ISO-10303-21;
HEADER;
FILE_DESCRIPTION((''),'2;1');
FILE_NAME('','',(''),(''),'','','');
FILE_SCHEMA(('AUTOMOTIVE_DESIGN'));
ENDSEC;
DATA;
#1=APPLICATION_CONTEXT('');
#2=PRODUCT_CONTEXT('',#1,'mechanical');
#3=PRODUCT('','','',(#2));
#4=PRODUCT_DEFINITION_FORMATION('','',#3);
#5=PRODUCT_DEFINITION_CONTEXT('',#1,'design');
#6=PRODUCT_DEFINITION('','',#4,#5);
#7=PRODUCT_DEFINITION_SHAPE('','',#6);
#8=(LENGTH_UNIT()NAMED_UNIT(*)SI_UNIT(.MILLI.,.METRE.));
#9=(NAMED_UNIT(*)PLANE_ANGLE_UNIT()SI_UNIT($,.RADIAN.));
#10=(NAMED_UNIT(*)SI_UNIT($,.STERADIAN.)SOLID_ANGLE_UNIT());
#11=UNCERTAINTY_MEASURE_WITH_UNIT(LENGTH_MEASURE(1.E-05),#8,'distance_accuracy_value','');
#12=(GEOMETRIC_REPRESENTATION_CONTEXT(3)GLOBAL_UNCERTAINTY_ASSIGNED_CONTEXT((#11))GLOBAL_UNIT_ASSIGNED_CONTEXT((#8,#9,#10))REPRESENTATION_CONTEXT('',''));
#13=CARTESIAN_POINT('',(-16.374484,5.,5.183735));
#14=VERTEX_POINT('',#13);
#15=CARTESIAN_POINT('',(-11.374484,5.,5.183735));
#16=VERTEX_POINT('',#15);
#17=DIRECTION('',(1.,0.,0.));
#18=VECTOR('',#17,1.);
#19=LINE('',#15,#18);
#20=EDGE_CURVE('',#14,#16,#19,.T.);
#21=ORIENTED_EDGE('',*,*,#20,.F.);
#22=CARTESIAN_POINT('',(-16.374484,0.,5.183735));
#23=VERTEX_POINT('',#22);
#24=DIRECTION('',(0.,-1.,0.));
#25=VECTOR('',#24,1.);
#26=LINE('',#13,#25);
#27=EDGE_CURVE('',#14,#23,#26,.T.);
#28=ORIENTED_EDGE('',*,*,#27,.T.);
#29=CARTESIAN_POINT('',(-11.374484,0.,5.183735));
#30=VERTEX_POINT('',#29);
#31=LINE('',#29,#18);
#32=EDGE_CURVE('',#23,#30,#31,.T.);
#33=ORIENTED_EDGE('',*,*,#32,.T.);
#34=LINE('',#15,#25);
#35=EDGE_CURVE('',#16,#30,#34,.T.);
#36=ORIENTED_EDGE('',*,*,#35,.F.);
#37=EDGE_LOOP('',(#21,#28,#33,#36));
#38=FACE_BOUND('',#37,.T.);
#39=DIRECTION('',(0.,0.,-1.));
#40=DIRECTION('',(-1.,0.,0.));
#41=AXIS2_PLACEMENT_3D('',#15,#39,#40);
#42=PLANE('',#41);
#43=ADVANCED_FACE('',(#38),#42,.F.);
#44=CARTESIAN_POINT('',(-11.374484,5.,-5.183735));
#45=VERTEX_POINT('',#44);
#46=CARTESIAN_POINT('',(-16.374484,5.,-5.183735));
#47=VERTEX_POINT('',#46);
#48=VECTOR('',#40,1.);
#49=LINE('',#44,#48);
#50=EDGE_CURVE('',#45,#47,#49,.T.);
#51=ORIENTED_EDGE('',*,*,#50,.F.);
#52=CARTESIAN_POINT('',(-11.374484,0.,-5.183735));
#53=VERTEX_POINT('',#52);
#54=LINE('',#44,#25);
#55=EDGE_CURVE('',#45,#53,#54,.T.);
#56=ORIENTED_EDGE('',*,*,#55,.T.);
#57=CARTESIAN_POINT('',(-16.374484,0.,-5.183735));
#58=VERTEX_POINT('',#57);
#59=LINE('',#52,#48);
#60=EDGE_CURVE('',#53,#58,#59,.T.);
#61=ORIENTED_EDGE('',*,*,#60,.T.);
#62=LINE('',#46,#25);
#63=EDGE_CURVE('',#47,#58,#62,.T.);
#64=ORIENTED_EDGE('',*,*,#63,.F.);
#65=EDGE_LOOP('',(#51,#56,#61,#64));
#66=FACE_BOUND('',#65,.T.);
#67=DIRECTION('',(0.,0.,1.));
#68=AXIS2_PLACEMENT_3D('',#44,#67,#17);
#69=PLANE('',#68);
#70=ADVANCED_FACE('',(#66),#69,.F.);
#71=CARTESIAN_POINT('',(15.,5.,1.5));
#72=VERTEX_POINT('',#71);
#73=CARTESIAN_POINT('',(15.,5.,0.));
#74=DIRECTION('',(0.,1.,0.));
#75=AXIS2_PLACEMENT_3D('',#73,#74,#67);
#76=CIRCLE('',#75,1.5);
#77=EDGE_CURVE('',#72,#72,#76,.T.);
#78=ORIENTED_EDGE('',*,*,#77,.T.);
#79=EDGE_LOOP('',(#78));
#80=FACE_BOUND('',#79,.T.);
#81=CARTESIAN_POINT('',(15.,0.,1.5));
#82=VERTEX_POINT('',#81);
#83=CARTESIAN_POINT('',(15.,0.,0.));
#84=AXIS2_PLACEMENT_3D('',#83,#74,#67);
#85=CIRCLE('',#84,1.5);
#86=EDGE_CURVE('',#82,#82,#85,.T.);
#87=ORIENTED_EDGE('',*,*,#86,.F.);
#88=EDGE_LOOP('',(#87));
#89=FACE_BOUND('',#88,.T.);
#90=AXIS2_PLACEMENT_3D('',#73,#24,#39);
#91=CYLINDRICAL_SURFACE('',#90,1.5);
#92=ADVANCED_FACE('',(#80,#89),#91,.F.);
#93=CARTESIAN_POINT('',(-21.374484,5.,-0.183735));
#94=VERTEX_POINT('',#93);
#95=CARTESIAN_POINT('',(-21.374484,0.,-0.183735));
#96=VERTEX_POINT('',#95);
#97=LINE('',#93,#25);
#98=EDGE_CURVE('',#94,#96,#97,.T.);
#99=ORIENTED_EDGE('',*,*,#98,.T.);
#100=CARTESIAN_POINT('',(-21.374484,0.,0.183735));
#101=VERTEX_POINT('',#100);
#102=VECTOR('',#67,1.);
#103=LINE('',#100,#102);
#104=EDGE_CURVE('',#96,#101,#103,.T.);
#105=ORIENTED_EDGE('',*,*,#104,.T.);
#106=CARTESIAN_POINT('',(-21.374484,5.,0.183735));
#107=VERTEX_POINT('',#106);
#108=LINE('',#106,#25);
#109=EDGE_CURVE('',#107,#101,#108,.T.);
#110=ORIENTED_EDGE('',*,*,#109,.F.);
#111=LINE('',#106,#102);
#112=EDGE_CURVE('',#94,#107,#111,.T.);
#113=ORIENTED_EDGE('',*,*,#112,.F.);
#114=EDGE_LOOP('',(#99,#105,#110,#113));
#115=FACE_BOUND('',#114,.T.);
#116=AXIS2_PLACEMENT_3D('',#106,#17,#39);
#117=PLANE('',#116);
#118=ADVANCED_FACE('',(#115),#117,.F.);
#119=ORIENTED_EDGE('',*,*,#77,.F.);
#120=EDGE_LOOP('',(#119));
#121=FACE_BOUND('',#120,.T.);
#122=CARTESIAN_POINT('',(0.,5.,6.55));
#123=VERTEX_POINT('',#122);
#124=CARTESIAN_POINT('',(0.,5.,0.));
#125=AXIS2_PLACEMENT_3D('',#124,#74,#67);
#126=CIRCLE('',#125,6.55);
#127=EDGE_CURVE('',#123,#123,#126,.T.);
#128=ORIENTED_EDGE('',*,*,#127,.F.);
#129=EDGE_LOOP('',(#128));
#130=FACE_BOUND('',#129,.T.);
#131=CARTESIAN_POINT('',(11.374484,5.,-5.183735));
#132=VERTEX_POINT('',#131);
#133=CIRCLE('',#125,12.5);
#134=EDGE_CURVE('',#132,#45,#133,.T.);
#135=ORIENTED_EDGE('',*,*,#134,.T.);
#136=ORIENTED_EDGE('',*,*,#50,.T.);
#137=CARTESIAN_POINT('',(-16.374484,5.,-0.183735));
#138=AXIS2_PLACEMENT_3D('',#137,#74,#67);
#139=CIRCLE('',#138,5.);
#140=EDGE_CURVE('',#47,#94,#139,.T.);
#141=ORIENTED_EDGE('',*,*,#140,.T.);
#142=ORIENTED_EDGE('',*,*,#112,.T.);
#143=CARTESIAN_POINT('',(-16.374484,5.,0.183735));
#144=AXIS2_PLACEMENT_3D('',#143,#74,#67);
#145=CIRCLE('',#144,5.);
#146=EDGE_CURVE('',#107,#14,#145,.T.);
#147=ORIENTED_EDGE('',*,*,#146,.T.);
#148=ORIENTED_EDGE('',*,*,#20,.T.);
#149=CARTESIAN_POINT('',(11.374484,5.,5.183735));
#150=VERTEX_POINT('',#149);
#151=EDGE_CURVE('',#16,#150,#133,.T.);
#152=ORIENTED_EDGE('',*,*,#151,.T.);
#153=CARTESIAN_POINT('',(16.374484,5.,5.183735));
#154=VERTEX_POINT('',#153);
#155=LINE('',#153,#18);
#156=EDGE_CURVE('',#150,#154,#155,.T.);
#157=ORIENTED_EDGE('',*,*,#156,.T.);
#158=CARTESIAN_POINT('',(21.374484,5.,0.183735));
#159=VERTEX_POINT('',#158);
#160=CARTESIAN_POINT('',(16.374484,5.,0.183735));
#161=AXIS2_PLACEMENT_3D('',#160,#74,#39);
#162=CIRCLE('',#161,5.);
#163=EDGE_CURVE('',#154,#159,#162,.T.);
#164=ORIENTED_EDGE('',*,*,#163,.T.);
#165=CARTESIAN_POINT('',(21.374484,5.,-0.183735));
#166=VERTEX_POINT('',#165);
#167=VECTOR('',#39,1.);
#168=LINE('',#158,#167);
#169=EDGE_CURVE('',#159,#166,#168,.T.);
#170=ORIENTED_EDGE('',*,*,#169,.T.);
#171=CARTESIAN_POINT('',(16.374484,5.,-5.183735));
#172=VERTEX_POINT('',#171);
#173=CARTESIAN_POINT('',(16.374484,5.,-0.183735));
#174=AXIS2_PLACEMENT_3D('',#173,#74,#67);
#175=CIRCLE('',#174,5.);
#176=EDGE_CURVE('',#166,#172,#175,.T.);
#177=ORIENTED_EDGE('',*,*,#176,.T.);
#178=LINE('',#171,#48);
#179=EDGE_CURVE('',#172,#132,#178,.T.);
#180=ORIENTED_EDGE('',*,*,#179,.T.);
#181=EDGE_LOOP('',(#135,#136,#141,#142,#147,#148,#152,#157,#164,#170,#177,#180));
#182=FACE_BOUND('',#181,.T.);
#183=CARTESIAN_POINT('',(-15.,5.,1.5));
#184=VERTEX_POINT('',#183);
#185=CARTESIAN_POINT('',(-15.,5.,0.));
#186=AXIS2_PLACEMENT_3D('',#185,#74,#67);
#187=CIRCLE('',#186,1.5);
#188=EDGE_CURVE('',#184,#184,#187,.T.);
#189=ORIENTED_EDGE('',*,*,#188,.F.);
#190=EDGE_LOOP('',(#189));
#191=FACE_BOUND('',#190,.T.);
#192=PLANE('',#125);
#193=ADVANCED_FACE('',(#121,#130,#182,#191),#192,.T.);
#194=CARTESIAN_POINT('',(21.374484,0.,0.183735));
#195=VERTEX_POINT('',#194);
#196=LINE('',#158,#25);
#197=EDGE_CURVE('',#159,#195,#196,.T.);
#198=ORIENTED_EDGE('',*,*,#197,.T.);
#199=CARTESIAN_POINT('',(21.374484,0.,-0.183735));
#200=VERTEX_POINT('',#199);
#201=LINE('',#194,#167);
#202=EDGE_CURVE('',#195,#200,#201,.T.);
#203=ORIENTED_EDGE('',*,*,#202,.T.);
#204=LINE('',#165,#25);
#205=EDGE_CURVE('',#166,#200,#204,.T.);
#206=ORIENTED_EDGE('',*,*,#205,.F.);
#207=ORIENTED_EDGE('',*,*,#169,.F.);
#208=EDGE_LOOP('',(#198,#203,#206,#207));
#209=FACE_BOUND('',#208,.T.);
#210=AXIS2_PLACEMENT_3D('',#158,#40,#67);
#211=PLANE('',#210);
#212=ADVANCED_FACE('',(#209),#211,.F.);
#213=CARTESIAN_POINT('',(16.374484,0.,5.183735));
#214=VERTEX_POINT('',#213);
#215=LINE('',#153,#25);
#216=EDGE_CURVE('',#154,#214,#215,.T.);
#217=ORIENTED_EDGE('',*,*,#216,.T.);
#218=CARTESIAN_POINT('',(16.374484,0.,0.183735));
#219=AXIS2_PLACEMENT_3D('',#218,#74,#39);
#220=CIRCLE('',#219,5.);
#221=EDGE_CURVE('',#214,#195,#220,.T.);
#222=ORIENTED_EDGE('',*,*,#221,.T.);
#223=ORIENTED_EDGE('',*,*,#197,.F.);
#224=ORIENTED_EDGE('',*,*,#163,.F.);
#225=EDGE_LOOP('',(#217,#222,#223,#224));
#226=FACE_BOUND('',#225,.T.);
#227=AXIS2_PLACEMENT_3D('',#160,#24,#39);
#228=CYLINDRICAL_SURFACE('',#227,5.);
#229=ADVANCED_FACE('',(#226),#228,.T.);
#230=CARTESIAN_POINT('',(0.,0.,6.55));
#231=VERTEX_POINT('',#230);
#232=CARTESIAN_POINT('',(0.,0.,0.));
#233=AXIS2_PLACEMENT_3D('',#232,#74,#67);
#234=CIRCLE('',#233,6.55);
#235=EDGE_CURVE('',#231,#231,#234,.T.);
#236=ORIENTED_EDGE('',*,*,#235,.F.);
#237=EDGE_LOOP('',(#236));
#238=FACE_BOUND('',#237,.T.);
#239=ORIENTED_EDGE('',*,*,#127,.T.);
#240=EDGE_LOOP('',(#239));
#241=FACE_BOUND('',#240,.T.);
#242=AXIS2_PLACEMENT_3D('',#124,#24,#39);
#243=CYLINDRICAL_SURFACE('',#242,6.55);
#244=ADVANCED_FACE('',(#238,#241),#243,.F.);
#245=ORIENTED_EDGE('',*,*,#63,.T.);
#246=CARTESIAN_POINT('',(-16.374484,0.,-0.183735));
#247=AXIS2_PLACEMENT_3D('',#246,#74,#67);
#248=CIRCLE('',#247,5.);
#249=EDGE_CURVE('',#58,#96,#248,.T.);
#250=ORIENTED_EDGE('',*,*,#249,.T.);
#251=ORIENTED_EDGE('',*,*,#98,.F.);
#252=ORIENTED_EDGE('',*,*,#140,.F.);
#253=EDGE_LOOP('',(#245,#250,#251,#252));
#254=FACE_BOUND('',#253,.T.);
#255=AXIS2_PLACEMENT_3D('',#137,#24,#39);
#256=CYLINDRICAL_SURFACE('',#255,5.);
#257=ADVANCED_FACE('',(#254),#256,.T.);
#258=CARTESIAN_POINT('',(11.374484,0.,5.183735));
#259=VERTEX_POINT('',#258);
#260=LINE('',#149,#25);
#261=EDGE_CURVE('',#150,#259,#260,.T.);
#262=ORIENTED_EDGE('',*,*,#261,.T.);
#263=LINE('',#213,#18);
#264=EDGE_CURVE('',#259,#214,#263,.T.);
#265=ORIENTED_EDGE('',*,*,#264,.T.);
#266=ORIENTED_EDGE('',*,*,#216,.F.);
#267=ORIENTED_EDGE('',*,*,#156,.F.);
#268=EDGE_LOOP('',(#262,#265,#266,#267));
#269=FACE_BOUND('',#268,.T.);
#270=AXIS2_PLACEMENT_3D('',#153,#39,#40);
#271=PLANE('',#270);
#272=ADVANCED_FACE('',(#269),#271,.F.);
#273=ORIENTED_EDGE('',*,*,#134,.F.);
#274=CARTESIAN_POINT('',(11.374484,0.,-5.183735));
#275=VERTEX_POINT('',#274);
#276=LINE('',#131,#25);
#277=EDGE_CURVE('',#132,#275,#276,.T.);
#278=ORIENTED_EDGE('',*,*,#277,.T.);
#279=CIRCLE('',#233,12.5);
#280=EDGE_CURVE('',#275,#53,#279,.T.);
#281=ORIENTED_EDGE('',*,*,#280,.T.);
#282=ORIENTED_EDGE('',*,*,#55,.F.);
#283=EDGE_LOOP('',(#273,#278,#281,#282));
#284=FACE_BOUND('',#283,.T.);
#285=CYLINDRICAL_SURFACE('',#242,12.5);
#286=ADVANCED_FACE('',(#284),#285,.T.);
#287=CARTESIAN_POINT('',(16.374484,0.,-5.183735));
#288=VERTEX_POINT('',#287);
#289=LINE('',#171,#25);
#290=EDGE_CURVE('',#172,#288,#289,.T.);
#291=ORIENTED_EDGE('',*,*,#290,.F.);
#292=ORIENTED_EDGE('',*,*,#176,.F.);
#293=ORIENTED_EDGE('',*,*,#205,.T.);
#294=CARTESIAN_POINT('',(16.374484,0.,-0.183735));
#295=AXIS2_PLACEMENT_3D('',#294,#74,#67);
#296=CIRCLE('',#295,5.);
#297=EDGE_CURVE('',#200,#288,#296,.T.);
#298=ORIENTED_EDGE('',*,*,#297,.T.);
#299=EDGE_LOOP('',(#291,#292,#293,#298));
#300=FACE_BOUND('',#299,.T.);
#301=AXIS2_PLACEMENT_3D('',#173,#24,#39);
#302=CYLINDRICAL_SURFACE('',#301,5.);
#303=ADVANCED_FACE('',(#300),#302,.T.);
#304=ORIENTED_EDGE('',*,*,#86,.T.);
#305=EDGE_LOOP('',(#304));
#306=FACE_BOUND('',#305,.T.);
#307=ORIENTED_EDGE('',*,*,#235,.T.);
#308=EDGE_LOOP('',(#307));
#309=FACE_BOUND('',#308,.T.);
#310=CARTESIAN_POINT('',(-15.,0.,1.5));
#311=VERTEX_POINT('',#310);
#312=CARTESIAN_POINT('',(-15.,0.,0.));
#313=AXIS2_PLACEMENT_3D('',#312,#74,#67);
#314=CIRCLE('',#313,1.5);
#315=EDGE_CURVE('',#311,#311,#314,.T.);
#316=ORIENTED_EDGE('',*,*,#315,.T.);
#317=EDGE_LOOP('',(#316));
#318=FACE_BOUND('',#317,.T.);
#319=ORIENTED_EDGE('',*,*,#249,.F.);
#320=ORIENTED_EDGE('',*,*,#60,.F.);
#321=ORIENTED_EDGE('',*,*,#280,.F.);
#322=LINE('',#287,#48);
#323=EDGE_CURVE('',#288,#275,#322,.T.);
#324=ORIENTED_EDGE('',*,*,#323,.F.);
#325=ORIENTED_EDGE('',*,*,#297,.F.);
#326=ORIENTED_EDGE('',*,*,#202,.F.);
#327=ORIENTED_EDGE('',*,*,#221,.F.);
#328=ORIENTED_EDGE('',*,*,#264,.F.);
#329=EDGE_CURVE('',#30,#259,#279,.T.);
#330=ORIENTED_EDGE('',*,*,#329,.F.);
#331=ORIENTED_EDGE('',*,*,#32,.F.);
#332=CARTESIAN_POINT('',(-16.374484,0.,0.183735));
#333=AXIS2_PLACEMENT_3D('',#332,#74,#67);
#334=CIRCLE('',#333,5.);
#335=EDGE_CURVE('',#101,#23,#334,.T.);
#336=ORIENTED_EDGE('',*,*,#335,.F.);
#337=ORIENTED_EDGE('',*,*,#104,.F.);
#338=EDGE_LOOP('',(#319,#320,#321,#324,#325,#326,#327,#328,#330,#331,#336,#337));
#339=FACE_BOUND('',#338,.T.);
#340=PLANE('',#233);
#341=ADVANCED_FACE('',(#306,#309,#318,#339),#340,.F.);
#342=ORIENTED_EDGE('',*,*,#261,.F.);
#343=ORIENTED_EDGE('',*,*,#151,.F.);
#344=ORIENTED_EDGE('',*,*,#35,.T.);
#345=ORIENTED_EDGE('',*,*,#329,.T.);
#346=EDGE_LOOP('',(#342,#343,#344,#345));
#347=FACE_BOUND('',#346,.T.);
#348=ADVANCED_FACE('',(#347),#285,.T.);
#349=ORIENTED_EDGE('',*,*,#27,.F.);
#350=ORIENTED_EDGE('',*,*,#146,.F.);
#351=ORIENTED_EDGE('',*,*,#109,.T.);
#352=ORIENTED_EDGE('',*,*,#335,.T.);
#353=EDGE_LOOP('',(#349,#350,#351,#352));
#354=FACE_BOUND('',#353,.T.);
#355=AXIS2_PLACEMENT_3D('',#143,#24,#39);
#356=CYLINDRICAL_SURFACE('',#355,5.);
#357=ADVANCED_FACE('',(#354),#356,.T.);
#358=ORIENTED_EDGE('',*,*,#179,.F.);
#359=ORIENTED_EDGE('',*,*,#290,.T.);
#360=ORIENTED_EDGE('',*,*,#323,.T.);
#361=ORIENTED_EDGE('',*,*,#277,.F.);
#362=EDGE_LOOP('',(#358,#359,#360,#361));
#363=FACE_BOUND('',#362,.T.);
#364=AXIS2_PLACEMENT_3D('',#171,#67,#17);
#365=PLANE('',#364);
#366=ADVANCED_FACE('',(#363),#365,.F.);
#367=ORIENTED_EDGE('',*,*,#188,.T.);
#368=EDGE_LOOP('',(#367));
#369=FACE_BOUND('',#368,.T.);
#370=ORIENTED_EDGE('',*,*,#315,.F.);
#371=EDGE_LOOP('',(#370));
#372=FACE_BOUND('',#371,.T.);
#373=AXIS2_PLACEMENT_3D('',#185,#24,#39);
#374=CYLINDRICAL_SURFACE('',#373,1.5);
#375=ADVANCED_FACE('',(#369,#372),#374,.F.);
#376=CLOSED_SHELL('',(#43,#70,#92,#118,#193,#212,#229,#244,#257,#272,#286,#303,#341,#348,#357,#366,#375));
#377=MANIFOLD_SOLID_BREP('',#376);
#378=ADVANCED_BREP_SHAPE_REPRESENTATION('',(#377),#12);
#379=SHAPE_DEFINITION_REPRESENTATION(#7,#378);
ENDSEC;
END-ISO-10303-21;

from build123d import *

# Parameters (mm, degrees)
SKETCH1_R           = 6.55
SKETCH1_R_2         = 1.5
BOSS_EXTRUDE1_DEPTH = 5


with BuildPart() as part:
    # Sketch1 → Boss-Extrude1 (new body)
    with BuildSketch(Plane(origin=(0, 0, 0), x_dir=(1, 0, 0), z_dir=(0, 1, 0))):
        with BuildLine():
            Line((-11.374484431, 5.183734554), (-16.374484431, 5.183734554))
            ThreePointArc((-16.374484431, 5.183734554), (-19.910018337, 3.71926846), (-21.374484431, 0.183734554))
            Line((-21.374484431, 0.183734554), (-21.374484431, -0.183734554))
            ThreePointArc((-21.374484431, -0.183734554), (-19.910018337, -3.71926846), (-16.374484431, -5.183734554))
            Line((-16.374484431, -5.183734554), (-11.374484431, -5.183734554))
            ThreePointArc((-11.374484431, -5.183734554), (0, -12.5), (11.374484431, -5.183734554))
            Line((11.374484431, -5.183734554), (16.374484431, -5.183734554))
            ThreePointArc((16.374484431, -5.183734554), (19.910018337, -3.71926846), (21.374484431, -0.183734554))
            Line((21.374484431, -0.183734554), (21.374484431, 0.183734554))
            ThreePointArc((21.374484431, 0.183734554), (19.910018337, 3.71926846), (16.374484431, 5.183734554))
            Line((16.374484431, 5.183734554), (11.374484431, 5.183734554))
            ThreePointArc((11.374484431, 5.183734554), (0, 12.5), (-11.374484431, 5.183734554))
        make_face()
        with Locations(Location((0, 0, 0), (0, 0, 270))):
            Circle(SKETCH1_R, mode=Mode.SUBTRACT)
        with Locations(Location((-15, 0, 0), (0, 0, 270))):
            Circle(SKETCH1_R_2, mode=Mode.SUBTRACT)
        with Locations(Location((15, 0, 0), (0, 0, 270))):
            Circle(SKETCH1_R_2, mode=Mode.SUBTRACT)
    extrude(amount=BOSS_EXTRUDE1_DEPTH)


solid = part.part
